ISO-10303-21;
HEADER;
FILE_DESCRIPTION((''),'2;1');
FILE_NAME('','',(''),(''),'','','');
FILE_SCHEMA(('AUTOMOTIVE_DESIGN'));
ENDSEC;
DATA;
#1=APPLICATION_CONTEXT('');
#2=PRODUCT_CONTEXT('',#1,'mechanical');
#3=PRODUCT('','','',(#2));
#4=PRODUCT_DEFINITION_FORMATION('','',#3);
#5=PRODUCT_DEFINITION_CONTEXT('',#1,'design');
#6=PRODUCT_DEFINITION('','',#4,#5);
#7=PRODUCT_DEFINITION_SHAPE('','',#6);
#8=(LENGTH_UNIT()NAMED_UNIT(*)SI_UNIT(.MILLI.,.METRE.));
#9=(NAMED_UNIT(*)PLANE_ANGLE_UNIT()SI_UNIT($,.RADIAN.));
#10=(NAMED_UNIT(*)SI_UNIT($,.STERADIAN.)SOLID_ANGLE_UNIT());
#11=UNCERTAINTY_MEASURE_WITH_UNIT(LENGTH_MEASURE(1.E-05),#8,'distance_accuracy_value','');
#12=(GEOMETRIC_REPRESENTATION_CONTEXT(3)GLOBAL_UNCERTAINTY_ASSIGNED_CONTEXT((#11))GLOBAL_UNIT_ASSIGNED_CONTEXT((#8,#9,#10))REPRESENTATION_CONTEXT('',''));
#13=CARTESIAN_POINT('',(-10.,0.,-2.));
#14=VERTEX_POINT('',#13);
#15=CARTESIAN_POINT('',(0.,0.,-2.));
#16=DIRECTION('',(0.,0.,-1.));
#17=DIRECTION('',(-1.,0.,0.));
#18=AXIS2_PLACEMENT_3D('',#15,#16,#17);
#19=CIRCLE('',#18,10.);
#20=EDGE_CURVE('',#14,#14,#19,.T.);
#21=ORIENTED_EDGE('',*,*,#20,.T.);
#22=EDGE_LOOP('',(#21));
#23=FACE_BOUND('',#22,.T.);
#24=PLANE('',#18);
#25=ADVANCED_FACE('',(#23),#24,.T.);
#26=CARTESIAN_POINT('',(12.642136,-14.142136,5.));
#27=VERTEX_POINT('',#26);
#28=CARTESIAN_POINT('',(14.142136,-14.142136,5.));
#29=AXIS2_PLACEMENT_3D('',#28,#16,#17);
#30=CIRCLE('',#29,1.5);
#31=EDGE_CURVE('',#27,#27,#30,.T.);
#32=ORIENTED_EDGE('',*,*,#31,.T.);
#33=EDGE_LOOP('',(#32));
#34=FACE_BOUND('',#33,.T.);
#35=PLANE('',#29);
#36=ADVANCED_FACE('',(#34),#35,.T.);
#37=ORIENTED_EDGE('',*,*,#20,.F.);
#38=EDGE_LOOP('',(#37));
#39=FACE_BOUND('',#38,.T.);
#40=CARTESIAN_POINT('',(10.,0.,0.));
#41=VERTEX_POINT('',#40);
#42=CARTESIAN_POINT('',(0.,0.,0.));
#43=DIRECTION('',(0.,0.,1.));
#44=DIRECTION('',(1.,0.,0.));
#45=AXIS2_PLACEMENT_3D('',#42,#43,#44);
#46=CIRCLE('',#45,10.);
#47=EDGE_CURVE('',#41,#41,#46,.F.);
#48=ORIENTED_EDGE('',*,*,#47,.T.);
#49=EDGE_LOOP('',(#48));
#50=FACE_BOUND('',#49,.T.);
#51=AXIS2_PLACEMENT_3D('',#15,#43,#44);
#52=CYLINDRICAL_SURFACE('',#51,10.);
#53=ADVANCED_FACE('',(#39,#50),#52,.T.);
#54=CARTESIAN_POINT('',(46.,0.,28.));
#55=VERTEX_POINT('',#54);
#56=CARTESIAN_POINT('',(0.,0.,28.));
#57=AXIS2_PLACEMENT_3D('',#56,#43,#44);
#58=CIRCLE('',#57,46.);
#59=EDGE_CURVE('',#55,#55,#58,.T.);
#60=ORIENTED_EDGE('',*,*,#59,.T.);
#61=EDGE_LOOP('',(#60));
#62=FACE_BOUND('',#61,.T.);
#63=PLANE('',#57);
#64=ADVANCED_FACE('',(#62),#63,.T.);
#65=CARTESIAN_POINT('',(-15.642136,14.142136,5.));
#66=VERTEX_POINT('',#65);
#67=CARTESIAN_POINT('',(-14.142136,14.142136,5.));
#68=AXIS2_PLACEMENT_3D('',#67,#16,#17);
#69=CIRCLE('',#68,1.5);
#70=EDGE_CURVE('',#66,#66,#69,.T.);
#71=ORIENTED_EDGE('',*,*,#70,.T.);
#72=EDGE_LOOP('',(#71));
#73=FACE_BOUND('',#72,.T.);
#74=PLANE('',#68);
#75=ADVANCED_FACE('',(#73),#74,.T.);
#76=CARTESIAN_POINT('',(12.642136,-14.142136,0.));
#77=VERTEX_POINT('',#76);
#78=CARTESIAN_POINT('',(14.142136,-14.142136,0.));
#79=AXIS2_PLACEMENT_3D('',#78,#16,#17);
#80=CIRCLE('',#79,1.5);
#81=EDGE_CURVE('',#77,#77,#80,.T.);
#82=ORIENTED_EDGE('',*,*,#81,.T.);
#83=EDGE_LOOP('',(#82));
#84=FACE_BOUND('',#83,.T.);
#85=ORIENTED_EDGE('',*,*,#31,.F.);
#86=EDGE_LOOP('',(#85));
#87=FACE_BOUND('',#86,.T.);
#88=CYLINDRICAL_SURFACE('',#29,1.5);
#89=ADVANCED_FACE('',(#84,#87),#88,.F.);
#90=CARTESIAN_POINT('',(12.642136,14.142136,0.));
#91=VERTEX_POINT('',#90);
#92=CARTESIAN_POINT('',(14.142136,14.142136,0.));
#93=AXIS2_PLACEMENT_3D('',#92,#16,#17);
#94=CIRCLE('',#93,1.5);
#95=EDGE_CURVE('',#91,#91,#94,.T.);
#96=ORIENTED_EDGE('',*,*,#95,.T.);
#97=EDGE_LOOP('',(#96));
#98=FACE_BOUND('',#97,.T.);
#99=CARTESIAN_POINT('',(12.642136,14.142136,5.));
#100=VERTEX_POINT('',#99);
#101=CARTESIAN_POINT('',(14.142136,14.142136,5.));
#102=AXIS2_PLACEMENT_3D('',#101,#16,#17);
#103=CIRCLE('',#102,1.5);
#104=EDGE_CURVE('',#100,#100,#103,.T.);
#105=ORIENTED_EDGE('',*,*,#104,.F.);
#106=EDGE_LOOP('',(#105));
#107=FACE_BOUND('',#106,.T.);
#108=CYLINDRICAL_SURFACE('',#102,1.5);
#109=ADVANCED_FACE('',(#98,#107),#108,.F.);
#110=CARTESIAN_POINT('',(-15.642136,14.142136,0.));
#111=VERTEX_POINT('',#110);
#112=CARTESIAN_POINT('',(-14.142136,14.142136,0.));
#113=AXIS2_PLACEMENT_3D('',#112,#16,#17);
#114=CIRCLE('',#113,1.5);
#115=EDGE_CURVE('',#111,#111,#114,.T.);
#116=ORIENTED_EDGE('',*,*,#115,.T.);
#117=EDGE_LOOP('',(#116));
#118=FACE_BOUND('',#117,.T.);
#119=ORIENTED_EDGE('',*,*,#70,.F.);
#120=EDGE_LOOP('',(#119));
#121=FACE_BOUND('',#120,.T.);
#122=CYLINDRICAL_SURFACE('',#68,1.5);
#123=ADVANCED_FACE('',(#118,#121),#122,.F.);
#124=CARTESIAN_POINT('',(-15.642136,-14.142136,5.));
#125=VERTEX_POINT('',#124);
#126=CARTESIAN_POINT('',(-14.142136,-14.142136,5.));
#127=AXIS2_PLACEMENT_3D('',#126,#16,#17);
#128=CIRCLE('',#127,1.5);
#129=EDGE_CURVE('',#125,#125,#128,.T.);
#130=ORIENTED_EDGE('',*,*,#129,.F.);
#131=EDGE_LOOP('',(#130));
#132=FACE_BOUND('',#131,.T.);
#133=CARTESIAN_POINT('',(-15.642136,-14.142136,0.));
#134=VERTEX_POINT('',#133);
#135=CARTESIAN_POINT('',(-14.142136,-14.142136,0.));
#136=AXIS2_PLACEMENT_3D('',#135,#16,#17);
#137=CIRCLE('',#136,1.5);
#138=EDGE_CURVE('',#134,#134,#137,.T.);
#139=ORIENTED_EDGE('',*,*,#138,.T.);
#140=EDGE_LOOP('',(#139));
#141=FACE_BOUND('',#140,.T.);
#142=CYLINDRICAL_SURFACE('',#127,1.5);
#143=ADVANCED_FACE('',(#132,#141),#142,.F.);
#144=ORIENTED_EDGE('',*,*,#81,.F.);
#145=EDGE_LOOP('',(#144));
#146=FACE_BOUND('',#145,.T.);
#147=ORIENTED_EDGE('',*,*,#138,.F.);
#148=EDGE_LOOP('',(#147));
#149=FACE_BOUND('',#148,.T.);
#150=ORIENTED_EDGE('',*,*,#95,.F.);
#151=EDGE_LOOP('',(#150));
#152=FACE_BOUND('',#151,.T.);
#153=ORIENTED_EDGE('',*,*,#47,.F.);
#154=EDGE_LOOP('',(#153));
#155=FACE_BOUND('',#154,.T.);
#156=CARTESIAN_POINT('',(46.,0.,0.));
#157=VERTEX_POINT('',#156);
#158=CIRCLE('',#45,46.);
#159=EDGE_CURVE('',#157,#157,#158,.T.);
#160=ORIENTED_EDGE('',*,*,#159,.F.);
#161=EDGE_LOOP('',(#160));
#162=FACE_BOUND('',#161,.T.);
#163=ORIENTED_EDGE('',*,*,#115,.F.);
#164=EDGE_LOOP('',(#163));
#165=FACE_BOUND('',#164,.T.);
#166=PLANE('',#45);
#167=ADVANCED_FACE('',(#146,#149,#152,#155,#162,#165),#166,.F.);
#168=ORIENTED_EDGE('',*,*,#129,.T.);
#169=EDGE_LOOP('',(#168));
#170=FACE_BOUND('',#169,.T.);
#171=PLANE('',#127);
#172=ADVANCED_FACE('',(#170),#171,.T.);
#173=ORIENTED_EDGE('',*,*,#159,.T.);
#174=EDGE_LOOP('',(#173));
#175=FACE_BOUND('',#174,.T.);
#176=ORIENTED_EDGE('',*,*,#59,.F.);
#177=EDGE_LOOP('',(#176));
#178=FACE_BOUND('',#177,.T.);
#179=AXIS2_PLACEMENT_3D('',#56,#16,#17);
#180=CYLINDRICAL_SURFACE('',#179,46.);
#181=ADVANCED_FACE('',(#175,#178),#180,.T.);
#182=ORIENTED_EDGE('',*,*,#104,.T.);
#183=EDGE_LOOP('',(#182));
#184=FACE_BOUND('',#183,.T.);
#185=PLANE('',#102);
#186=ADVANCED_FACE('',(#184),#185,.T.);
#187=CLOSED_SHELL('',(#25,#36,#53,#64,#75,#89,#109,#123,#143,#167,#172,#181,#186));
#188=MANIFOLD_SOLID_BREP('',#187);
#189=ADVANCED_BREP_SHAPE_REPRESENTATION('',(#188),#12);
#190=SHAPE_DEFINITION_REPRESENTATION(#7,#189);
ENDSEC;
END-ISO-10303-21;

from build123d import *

# Parameters (mm, degrees)
SKETCH1_R           = 46
BOSS_EXTRUDE1_DEPTH = 28
SKETCH4_R           = 1.5
CUT_EXTRUDE1_DEPTH  = 5
SKETCH2_R           = 10
BOSS_EXTRUDE2_DEPTH = 2


with BuildPart() as part:
    # Sketch1 → Boss-Extrude1 (new body)
    with BuildSketch(Plane.XY):
        Circle(SKETCH1_R)
    extrude(amount=BOSS_EXTRUDE1_DEPTH)

    # Sketch4 → Cut-Extrude1 (cut)
    with BuildSketch(Plane(origin=(0, 0, 0), x_dir=(-1, 0, 0), z_dir=(0, 0, -1))):
        with Locations((-14.142135624, 14.142135624)):
            Circle(SKETCH4_R)
        with Locations((14.142135624, 14.142135624)):
            Circle(SKETCH4_R)
        with Locations((-14.142135624, -14.142135624)):
            Circle(SKETCH4_R)
        with Locations((14.142135624, -14.142135624)):
            Circle(SKETCH4_R)
    extrude(amount=-CUT_EXTRUDE1_DEPTH, mode=Mode.SUBTRACT)

    # Sketch2 → Boss-Extrude2 (add)
    with BuildSketch(Plane(origin=(0, 0, 0), x_dir=(-1, 0, 0), z_dir=(0, 0, -1))):
        with Locations(Location((0, 0, 0), (0, 0, 180))):
            Circle(SKETCH2_R)
    extrude(amount=BOSS_EXTRUDE2_DEPTH)


solid = part.part
